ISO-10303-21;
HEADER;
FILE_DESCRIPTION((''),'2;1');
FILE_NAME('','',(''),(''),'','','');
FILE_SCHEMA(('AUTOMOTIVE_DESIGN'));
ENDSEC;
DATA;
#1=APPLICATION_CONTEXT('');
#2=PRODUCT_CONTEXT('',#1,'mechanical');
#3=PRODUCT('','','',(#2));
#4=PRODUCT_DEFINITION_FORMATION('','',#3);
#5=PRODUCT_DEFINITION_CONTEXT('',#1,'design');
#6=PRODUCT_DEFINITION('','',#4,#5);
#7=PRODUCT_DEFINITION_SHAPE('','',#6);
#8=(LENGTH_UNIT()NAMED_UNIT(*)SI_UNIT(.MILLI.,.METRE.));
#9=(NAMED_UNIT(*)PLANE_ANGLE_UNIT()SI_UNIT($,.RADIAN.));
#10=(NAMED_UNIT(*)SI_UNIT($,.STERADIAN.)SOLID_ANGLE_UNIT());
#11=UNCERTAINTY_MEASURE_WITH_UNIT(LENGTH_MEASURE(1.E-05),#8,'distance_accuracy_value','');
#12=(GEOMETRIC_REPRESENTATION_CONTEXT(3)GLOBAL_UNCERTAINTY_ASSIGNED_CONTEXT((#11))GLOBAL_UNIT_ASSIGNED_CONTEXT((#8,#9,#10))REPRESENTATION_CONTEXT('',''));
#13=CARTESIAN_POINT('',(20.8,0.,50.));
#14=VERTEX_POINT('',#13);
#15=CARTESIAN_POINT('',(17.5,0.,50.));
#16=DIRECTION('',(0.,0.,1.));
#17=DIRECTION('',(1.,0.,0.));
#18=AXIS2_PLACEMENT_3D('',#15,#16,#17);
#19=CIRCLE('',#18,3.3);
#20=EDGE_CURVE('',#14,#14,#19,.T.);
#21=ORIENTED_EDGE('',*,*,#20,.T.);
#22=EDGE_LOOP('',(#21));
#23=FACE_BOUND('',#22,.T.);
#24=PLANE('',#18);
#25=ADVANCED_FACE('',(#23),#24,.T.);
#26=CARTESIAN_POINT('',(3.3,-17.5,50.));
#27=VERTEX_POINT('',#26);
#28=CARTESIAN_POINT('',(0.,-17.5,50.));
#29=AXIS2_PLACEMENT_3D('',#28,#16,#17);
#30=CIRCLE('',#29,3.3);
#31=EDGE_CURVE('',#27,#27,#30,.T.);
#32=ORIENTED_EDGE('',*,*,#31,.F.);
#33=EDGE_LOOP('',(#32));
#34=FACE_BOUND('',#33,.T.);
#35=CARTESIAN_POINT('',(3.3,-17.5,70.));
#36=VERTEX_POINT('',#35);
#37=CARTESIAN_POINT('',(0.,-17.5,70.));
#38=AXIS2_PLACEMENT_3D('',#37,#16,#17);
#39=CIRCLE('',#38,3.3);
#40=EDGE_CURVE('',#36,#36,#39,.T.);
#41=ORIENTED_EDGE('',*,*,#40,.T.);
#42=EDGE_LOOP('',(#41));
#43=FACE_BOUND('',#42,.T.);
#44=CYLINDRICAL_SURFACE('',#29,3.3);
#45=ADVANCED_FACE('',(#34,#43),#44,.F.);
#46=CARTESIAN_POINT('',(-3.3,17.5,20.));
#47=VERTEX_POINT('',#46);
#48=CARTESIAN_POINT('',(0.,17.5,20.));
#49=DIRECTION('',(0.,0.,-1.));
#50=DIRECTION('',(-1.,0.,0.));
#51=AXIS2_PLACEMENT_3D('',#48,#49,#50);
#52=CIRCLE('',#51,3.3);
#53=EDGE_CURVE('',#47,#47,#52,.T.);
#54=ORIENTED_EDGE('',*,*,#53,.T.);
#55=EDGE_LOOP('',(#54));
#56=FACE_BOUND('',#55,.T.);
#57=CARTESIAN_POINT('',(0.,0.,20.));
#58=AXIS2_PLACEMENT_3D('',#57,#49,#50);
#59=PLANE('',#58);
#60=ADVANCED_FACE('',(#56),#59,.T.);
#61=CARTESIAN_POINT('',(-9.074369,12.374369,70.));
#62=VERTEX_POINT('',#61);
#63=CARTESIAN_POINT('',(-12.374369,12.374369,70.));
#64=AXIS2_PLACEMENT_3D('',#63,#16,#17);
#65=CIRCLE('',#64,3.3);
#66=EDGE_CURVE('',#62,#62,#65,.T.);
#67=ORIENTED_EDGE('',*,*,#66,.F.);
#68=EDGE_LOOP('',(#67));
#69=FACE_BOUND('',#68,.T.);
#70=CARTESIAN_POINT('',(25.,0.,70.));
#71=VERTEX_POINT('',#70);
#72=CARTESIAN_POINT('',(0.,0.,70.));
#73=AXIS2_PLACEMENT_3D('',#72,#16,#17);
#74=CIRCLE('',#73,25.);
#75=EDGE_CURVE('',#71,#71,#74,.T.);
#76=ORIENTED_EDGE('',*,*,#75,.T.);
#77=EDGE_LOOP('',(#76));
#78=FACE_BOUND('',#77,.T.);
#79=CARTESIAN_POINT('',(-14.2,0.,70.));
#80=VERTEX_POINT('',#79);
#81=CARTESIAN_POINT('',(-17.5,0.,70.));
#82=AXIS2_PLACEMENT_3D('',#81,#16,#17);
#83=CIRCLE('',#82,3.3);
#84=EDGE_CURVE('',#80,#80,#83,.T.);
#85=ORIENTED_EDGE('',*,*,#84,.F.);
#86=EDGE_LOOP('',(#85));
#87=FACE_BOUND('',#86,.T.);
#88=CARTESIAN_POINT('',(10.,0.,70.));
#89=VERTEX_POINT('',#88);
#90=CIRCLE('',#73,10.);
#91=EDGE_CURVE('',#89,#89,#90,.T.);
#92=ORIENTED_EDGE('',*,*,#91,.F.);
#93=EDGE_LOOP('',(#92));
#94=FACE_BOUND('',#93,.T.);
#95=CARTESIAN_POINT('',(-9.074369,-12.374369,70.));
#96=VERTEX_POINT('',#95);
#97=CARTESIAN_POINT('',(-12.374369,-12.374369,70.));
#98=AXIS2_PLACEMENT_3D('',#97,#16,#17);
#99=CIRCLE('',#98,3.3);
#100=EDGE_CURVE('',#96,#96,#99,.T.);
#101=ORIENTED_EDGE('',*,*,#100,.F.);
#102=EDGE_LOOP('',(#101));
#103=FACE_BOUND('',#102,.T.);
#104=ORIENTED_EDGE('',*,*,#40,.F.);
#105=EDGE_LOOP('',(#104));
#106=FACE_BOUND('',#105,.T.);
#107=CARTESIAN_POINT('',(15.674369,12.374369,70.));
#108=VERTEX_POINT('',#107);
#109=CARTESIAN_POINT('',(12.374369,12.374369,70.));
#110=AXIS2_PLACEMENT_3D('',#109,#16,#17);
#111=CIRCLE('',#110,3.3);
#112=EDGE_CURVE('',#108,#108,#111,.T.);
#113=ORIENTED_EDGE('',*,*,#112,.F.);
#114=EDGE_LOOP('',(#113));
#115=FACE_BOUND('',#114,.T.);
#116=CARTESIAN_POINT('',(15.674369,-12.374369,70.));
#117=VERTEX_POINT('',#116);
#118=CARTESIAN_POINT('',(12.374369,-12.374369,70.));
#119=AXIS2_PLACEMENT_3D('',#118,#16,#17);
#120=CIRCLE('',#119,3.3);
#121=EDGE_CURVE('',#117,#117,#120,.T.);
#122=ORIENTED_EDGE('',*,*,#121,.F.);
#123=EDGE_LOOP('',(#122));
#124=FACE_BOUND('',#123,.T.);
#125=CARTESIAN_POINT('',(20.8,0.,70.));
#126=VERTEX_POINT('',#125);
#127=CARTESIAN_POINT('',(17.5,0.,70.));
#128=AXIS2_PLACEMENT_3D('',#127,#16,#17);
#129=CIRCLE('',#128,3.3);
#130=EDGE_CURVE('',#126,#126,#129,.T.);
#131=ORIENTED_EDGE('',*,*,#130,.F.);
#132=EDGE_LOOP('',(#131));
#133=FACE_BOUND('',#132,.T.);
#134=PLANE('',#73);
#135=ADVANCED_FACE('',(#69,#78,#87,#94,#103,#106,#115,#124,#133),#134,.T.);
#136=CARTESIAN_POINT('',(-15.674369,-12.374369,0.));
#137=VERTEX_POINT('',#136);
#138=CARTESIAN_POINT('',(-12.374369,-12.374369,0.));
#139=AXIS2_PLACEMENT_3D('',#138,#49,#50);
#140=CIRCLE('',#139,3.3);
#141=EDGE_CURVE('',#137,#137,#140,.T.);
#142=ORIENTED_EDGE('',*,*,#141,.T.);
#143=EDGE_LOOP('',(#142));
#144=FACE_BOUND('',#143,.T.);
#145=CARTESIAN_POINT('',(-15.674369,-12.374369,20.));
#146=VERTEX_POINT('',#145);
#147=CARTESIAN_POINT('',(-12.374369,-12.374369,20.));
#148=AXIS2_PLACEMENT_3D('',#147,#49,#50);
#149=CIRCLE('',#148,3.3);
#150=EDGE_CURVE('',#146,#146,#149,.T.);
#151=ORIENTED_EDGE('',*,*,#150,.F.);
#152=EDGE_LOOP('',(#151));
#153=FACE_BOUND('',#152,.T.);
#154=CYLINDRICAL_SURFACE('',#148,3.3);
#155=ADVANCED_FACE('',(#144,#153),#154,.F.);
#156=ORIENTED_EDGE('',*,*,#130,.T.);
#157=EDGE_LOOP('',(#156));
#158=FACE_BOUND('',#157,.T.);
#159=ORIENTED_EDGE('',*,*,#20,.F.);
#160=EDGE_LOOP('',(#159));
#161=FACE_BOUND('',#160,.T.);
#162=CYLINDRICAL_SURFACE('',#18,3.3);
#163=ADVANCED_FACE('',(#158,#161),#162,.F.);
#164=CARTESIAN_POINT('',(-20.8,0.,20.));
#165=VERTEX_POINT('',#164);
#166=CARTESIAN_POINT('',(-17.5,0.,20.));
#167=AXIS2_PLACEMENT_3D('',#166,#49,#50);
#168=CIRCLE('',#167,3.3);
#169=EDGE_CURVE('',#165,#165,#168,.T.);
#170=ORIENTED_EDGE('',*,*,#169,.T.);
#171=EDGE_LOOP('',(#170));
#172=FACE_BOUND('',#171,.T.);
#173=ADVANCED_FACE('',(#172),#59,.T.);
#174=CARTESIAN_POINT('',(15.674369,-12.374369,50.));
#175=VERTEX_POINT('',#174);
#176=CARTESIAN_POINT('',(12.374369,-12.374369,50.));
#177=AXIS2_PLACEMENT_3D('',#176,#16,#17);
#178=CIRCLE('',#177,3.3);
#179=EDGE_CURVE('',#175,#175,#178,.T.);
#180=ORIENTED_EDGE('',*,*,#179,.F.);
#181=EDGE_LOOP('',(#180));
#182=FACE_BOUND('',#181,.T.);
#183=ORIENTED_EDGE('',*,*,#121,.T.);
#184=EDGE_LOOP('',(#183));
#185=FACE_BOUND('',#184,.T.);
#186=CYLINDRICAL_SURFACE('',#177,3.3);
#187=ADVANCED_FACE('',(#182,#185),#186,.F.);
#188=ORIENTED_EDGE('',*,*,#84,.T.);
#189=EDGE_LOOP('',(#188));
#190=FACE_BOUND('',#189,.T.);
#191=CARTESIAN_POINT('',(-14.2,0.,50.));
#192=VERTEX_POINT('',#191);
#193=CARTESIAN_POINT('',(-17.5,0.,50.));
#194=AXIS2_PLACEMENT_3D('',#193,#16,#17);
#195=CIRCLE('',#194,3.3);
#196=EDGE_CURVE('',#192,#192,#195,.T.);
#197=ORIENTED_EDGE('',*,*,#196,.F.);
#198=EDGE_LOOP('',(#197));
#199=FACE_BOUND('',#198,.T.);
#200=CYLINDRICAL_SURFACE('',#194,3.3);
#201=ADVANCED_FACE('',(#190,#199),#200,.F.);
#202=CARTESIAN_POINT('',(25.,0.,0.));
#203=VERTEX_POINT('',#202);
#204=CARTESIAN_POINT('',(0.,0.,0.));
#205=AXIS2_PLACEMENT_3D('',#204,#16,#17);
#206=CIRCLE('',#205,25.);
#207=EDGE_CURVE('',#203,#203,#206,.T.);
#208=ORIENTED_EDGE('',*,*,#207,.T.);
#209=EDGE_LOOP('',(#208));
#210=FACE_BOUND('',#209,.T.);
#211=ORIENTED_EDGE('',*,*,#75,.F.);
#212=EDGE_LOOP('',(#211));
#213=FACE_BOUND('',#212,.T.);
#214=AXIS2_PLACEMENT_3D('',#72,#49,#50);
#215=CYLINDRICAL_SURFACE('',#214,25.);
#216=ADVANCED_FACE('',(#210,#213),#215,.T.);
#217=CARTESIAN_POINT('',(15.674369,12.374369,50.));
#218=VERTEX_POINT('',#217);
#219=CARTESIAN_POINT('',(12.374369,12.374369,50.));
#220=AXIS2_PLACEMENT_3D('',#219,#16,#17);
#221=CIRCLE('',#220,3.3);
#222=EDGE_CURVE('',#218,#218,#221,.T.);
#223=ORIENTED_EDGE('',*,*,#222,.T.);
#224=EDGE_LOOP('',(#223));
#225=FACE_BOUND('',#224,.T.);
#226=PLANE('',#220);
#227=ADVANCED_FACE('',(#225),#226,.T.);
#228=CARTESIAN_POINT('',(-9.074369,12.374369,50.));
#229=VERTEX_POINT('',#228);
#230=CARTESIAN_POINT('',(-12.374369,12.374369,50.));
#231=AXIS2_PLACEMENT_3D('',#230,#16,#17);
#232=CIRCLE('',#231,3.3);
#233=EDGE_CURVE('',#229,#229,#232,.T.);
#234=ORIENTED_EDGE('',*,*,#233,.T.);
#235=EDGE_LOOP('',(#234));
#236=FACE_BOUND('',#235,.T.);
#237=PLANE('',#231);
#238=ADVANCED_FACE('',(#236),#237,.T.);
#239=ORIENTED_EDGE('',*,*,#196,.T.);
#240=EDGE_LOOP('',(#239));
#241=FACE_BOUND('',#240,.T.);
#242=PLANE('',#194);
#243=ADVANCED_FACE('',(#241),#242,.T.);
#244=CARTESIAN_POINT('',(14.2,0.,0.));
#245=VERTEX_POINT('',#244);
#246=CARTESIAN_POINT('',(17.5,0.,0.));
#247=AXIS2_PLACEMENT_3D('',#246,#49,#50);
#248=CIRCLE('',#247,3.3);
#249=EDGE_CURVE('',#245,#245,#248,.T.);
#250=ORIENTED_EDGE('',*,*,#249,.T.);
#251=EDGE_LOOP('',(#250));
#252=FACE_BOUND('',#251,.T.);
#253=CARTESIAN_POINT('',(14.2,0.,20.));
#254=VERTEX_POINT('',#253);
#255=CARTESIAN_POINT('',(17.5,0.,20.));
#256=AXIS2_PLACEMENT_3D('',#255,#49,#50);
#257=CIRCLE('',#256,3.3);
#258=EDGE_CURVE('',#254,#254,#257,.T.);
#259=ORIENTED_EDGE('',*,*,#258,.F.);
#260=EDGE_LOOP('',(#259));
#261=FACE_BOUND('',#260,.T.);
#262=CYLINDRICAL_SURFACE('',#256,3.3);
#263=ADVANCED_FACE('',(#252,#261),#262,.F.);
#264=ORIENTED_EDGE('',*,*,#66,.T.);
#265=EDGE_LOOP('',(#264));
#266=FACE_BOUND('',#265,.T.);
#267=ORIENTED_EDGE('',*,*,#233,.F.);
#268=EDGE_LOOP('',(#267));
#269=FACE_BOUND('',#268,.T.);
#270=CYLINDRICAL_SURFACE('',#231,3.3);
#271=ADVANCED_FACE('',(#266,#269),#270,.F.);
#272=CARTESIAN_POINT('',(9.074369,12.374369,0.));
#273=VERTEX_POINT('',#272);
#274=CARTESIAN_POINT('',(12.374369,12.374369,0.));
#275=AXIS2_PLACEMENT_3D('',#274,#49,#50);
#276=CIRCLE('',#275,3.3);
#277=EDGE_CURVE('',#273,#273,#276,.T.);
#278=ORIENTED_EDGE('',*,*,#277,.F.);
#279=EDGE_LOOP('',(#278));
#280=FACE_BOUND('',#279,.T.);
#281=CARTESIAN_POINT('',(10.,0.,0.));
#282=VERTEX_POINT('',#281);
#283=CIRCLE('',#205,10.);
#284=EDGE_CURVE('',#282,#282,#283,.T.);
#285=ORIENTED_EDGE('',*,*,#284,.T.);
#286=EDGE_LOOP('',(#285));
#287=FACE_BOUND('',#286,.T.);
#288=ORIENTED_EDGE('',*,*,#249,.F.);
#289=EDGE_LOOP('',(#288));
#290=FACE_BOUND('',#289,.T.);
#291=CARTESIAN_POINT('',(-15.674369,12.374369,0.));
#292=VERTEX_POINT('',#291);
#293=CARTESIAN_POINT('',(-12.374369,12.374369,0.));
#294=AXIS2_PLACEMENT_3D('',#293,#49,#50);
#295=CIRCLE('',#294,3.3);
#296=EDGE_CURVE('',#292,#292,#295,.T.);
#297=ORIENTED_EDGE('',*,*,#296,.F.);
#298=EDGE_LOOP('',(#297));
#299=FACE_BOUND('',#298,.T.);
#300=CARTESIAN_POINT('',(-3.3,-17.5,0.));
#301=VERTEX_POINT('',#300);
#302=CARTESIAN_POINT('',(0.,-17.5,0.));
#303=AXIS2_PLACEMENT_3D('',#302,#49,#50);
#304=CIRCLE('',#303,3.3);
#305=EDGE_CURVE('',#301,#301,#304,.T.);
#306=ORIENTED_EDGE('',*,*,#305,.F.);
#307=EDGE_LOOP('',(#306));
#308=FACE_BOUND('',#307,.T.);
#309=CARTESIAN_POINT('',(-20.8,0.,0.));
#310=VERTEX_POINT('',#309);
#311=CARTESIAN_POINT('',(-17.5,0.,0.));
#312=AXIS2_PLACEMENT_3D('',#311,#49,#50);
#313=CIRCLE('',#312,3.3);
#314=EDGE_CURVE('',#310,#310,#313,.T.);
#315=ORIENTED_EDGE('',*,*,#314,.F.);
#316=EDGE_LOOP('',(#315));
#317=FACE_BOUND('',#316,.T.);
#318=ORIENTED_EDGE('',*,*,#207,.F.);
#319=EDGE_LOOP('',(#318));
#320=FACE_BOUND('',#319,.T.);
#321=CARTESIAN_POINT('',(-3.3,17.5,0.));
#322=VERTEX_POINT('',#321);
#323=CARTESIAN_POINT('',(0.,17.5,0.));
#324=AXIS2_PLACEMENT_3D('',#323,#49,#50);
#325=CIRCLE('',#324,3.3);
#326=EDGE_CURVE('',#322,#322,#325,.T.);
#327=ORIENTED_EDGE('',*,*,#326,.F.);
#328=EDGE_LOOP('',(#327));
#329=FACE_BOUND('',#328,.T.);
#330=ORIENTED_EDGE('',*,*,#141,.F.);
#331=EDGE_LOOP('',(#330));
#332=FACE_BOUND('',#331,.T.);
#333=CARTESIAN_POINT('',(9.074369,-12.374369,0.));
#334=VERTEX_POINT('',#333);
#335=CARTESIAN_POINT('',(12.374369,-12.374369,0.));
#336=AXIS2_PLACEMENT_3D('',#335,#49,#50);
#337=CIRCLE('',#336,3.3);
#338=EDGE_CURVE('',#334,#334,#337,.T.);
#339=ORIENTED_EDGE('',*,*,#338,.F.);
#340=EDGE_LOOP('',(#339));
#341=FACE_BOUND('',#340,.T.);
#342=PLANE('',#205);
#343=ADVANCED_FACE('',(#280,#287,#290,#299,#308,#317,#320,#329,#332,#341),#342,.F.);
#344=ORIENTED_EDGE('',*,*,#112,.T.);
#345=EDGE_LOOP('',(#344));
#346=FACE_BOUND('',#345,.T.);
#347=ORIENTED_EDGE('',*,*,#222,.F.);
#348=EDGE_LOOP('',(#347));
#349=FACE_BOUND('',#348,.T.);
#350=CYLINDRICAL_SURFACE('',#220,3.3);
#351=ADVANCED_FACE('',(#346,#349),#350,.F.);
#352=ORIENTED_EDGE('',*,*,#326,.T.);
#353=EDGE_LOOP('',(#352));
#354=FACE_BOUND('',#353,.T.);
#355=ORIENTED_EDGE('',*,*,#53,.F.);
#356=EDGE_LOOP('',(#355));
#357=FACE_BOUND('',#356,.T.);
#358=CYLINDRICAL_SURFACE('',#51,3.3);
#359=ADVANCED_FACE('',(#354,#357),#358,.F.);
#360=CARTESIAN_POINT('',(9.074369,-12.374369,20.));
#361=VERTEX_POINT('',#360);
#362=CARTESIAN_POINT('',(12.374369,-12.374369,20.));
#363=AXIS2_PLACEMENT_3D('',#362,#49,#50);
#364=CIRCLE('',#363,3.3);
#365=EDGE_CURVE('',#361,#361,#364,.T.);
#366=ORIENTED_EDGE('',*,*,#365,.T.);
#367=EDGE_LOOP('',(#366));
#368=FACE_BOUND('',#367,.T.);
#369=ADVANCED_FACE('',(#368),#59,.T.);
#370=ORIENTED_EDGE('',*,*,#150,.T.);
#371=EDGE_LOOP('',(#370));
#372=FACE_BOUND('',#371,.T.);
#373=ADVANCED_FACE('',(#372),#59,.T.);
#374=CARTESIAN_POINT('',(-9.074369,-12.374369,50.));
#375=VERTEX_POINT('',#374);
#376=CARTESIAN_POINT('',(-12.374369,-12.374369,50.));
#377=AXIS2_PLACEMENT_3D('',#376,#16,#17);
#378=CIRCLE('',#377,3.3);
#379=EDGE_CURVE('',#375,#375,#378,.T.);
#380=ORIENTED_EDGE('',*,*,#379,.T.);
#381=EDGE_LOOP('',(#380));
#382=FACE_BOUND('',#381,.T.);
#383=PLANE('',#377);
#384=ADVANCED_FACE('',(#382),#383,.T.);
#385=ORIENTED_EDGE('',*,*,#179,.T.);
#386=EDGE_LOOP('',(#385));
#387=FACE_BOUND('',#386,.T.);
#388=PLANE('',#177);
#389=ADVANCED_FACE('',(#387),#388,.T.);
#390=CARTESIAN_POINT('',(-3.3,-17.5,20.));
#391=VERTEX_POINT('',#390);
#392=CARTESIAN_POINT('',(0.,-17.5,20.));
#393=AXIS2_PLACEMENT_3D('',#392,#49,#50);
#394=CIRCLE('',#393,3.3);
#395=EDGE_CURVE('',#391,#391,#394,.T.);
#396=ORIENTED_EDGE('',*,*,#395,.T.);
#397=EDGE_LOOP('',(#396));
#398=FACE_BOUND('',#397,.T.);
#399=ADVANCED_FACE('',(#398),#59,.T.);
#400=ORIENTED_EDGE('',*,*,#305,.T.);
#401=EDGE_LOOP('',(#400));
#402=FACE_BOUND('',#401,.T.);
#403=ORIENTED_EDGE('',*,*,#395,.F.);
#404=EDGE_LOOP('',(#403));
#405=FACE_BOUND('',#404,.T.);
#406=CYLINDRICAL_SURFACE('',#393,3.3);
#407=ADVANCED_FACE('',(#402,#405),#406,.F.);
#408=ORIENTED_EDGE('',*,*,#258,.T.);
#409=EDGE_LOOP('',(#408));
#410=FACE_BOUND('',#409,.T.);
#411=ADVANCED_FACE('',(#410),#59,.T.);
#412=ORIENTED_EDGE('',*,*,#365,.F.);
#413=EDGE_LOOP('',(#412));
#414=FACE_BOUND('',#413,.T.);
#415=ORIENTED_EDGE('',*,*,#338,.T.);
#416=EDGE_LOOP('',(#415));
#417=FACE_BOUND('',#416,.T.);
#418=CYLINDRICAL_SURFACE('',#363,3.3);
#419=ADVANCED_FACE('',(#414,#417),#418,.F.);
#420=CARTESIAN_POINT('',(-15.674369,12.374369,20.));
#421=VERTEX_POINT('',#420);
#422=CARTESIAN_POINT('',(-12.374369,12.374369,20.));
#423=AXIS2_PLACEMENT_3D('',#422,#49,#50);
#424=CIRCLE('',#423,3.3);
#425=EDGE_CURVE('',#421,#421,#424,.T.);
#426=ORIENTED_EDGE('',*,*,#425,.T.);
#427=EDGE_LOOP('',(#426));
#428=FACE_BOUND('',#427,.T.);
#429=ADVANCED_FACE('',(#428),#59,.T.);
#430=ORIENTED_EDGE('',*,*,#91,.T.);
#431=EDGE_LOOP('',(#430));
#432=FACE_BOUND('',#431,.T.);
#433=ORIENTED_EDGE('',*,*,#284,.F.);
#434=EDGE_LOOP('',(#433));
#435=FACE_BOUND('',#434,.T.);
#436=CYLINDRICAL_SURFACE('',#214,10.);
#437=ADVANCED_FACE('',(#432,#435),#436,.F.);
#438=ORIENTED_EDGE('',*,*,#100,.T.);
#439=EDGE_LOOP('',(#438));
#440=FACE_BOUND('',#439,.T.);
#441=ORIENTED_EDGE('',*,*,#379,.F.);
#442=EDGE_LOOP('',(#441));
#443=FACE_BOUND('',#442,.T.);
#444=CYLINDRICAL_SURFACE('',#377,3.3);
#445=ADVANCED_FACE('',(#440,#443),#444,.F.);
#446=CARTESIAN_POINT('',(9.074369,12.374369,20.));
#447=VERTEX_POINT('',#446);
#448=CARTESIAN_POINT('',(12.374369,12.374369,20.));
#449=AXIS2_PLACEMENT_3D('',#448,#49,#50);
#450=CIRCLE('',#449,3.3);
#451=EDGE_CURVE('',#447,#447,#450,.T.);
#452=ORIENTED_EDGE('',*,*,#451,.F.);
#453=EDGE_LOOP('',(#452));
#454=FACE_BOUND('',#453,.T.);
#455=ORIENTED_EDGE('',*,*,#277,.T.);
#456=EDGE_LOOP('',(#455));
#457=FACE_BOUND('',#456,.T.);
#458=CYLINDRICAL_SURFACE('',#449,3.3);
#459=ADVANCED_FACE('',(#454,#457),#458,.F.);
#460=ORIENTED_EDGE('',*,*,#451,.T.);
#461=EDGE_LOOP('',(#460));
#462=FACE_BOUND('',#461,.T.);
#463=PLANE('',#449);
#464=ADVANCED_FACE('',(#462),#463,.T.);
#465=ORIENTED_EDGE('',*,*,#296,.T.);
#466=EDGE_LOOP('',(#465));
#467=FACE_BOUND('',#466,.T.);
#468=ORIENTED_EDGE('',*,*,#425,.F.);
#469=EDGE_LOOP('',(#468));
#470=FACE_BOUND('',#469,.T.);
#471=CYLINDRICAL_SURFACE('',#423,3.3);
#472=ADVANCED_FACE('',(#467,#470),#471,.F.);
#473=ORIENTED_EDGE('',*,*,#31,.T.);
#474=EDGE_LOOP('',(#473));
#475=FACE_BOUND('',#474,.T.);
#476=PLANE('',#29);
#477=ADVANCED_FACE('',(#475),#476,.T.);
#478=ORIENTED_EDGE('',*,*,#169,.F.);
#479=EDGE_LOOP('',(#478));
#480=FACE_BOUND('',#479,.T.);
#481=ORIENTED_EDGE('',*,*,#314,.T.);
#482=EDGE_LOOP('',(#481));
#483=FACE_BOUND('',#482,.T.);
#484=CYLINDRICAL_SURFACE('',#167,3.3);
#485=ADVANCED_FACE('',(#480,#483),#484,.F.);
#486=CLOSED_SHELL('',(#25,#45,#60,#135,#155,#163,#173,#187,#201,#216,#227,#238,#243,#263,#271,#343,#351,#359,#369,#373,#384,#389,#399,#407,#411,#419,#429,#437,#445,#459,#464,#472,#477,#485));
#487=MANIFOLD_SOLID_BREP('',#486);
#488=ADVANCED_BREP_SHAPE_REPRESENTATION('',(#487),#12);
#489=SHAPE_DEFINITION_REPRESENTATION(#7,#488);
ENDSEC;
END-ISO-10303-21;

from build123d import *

# Parameters (mm, degrees)
SKETCH1_R           = 25
SKETCH1_R_2         = 10
BOSS_EXTRUDE1_DEPTH = 70
SKETCH3_R           = 3.3
CUT_EXTRUDE1_DEPTH  = 20
CUT_EXTRUDE2_START  = -20
SKETCH4_R           = 3.3
CUT_EXTRUDE2_DEPTH  = 20


with BuildPart() as part:
    # Sketch1 → Boss-Extrude1 (new body)
    with BuildSketch(Plane.XY):
        Circle(SKETCH1_R)
        Circle(SKETCH1_R_2, mode=Mode.SUBTRACT)
    extrude(amount=BOSS_EXTRUDE1_DEPTH)

    # Sketch3 → Cut-Extrude1 (cut)
    with BuildSketch(Plane.XY.offset(70)):
        with Locations((12.374368671, 12.374368671)):
            Circle(SKETCH3_R)
        with Locations((17.5, 0)):
            Circle(SKETCH3_R)
        with Locations((12.374368671, -12.374368671)):
            Circle(SKETCH3_R)
        with Locations((0, -17.5)):
            Circle(SKETCH3_R)
        with Locations((-12.374368671, -12.374368671)):
            Circle(SKETCH3_R)
        with Locations((-17.5, 0)):
            Circle(SKETCH3_R)
        with Locations((-12.374368671, 12.374368671)):
            Circle(SKETCH3_R)
    extrude(amount=-CUT_EXTRUDE1_DEPTH, mode=Mode.SUBTRACT)

    # Sketch4 → Cut-Extrude2 (cut)
    with BuildSketch(Plane(origin=(0, 0, 0), x_dir=(-1, 0, 0), z_dir=(0, 0, -1)).offset(CUT_EXTRUDE2_START)):
        with Locations((0, 17.5)):
            Circle(SKETCH4_R)
        with Locations(Location((12.374368671, 12.374368671, 0), (0, 0, 180))):
            Circle(SKETCH4_R)
        with Locations(Location((17.5, 0, 0), (0, 0, 180))):
            Circle(SKETCH4_R)
        with Locations(Location((12.374368671, -12.374368671, 0), (0, 0, 180))):
            Circle(SKETCH4_R)
        with Locations(Location((0, -17.5, 0), (0, 0, 180))):
            Circle(SKETCH4_R)
        with Locations(Location((-12.374368671, -12.374368671, 0), (0, 0, 180))):
            Circle(SKETCH4_R)
        with Locations(Location((-17.5, 0, 0), (0, 0, 180))):
            Circle(SKETCH4_R)
        with Locations(Location((-12.374368671, 12.374368671, 0), (0, 0, 180))):
            Circle(SKETCH4_R)
    extrude(amount=CUT_EXTRUDE2_DEPTH, mode=Mode.SUBTRACT)


solid = part.part
